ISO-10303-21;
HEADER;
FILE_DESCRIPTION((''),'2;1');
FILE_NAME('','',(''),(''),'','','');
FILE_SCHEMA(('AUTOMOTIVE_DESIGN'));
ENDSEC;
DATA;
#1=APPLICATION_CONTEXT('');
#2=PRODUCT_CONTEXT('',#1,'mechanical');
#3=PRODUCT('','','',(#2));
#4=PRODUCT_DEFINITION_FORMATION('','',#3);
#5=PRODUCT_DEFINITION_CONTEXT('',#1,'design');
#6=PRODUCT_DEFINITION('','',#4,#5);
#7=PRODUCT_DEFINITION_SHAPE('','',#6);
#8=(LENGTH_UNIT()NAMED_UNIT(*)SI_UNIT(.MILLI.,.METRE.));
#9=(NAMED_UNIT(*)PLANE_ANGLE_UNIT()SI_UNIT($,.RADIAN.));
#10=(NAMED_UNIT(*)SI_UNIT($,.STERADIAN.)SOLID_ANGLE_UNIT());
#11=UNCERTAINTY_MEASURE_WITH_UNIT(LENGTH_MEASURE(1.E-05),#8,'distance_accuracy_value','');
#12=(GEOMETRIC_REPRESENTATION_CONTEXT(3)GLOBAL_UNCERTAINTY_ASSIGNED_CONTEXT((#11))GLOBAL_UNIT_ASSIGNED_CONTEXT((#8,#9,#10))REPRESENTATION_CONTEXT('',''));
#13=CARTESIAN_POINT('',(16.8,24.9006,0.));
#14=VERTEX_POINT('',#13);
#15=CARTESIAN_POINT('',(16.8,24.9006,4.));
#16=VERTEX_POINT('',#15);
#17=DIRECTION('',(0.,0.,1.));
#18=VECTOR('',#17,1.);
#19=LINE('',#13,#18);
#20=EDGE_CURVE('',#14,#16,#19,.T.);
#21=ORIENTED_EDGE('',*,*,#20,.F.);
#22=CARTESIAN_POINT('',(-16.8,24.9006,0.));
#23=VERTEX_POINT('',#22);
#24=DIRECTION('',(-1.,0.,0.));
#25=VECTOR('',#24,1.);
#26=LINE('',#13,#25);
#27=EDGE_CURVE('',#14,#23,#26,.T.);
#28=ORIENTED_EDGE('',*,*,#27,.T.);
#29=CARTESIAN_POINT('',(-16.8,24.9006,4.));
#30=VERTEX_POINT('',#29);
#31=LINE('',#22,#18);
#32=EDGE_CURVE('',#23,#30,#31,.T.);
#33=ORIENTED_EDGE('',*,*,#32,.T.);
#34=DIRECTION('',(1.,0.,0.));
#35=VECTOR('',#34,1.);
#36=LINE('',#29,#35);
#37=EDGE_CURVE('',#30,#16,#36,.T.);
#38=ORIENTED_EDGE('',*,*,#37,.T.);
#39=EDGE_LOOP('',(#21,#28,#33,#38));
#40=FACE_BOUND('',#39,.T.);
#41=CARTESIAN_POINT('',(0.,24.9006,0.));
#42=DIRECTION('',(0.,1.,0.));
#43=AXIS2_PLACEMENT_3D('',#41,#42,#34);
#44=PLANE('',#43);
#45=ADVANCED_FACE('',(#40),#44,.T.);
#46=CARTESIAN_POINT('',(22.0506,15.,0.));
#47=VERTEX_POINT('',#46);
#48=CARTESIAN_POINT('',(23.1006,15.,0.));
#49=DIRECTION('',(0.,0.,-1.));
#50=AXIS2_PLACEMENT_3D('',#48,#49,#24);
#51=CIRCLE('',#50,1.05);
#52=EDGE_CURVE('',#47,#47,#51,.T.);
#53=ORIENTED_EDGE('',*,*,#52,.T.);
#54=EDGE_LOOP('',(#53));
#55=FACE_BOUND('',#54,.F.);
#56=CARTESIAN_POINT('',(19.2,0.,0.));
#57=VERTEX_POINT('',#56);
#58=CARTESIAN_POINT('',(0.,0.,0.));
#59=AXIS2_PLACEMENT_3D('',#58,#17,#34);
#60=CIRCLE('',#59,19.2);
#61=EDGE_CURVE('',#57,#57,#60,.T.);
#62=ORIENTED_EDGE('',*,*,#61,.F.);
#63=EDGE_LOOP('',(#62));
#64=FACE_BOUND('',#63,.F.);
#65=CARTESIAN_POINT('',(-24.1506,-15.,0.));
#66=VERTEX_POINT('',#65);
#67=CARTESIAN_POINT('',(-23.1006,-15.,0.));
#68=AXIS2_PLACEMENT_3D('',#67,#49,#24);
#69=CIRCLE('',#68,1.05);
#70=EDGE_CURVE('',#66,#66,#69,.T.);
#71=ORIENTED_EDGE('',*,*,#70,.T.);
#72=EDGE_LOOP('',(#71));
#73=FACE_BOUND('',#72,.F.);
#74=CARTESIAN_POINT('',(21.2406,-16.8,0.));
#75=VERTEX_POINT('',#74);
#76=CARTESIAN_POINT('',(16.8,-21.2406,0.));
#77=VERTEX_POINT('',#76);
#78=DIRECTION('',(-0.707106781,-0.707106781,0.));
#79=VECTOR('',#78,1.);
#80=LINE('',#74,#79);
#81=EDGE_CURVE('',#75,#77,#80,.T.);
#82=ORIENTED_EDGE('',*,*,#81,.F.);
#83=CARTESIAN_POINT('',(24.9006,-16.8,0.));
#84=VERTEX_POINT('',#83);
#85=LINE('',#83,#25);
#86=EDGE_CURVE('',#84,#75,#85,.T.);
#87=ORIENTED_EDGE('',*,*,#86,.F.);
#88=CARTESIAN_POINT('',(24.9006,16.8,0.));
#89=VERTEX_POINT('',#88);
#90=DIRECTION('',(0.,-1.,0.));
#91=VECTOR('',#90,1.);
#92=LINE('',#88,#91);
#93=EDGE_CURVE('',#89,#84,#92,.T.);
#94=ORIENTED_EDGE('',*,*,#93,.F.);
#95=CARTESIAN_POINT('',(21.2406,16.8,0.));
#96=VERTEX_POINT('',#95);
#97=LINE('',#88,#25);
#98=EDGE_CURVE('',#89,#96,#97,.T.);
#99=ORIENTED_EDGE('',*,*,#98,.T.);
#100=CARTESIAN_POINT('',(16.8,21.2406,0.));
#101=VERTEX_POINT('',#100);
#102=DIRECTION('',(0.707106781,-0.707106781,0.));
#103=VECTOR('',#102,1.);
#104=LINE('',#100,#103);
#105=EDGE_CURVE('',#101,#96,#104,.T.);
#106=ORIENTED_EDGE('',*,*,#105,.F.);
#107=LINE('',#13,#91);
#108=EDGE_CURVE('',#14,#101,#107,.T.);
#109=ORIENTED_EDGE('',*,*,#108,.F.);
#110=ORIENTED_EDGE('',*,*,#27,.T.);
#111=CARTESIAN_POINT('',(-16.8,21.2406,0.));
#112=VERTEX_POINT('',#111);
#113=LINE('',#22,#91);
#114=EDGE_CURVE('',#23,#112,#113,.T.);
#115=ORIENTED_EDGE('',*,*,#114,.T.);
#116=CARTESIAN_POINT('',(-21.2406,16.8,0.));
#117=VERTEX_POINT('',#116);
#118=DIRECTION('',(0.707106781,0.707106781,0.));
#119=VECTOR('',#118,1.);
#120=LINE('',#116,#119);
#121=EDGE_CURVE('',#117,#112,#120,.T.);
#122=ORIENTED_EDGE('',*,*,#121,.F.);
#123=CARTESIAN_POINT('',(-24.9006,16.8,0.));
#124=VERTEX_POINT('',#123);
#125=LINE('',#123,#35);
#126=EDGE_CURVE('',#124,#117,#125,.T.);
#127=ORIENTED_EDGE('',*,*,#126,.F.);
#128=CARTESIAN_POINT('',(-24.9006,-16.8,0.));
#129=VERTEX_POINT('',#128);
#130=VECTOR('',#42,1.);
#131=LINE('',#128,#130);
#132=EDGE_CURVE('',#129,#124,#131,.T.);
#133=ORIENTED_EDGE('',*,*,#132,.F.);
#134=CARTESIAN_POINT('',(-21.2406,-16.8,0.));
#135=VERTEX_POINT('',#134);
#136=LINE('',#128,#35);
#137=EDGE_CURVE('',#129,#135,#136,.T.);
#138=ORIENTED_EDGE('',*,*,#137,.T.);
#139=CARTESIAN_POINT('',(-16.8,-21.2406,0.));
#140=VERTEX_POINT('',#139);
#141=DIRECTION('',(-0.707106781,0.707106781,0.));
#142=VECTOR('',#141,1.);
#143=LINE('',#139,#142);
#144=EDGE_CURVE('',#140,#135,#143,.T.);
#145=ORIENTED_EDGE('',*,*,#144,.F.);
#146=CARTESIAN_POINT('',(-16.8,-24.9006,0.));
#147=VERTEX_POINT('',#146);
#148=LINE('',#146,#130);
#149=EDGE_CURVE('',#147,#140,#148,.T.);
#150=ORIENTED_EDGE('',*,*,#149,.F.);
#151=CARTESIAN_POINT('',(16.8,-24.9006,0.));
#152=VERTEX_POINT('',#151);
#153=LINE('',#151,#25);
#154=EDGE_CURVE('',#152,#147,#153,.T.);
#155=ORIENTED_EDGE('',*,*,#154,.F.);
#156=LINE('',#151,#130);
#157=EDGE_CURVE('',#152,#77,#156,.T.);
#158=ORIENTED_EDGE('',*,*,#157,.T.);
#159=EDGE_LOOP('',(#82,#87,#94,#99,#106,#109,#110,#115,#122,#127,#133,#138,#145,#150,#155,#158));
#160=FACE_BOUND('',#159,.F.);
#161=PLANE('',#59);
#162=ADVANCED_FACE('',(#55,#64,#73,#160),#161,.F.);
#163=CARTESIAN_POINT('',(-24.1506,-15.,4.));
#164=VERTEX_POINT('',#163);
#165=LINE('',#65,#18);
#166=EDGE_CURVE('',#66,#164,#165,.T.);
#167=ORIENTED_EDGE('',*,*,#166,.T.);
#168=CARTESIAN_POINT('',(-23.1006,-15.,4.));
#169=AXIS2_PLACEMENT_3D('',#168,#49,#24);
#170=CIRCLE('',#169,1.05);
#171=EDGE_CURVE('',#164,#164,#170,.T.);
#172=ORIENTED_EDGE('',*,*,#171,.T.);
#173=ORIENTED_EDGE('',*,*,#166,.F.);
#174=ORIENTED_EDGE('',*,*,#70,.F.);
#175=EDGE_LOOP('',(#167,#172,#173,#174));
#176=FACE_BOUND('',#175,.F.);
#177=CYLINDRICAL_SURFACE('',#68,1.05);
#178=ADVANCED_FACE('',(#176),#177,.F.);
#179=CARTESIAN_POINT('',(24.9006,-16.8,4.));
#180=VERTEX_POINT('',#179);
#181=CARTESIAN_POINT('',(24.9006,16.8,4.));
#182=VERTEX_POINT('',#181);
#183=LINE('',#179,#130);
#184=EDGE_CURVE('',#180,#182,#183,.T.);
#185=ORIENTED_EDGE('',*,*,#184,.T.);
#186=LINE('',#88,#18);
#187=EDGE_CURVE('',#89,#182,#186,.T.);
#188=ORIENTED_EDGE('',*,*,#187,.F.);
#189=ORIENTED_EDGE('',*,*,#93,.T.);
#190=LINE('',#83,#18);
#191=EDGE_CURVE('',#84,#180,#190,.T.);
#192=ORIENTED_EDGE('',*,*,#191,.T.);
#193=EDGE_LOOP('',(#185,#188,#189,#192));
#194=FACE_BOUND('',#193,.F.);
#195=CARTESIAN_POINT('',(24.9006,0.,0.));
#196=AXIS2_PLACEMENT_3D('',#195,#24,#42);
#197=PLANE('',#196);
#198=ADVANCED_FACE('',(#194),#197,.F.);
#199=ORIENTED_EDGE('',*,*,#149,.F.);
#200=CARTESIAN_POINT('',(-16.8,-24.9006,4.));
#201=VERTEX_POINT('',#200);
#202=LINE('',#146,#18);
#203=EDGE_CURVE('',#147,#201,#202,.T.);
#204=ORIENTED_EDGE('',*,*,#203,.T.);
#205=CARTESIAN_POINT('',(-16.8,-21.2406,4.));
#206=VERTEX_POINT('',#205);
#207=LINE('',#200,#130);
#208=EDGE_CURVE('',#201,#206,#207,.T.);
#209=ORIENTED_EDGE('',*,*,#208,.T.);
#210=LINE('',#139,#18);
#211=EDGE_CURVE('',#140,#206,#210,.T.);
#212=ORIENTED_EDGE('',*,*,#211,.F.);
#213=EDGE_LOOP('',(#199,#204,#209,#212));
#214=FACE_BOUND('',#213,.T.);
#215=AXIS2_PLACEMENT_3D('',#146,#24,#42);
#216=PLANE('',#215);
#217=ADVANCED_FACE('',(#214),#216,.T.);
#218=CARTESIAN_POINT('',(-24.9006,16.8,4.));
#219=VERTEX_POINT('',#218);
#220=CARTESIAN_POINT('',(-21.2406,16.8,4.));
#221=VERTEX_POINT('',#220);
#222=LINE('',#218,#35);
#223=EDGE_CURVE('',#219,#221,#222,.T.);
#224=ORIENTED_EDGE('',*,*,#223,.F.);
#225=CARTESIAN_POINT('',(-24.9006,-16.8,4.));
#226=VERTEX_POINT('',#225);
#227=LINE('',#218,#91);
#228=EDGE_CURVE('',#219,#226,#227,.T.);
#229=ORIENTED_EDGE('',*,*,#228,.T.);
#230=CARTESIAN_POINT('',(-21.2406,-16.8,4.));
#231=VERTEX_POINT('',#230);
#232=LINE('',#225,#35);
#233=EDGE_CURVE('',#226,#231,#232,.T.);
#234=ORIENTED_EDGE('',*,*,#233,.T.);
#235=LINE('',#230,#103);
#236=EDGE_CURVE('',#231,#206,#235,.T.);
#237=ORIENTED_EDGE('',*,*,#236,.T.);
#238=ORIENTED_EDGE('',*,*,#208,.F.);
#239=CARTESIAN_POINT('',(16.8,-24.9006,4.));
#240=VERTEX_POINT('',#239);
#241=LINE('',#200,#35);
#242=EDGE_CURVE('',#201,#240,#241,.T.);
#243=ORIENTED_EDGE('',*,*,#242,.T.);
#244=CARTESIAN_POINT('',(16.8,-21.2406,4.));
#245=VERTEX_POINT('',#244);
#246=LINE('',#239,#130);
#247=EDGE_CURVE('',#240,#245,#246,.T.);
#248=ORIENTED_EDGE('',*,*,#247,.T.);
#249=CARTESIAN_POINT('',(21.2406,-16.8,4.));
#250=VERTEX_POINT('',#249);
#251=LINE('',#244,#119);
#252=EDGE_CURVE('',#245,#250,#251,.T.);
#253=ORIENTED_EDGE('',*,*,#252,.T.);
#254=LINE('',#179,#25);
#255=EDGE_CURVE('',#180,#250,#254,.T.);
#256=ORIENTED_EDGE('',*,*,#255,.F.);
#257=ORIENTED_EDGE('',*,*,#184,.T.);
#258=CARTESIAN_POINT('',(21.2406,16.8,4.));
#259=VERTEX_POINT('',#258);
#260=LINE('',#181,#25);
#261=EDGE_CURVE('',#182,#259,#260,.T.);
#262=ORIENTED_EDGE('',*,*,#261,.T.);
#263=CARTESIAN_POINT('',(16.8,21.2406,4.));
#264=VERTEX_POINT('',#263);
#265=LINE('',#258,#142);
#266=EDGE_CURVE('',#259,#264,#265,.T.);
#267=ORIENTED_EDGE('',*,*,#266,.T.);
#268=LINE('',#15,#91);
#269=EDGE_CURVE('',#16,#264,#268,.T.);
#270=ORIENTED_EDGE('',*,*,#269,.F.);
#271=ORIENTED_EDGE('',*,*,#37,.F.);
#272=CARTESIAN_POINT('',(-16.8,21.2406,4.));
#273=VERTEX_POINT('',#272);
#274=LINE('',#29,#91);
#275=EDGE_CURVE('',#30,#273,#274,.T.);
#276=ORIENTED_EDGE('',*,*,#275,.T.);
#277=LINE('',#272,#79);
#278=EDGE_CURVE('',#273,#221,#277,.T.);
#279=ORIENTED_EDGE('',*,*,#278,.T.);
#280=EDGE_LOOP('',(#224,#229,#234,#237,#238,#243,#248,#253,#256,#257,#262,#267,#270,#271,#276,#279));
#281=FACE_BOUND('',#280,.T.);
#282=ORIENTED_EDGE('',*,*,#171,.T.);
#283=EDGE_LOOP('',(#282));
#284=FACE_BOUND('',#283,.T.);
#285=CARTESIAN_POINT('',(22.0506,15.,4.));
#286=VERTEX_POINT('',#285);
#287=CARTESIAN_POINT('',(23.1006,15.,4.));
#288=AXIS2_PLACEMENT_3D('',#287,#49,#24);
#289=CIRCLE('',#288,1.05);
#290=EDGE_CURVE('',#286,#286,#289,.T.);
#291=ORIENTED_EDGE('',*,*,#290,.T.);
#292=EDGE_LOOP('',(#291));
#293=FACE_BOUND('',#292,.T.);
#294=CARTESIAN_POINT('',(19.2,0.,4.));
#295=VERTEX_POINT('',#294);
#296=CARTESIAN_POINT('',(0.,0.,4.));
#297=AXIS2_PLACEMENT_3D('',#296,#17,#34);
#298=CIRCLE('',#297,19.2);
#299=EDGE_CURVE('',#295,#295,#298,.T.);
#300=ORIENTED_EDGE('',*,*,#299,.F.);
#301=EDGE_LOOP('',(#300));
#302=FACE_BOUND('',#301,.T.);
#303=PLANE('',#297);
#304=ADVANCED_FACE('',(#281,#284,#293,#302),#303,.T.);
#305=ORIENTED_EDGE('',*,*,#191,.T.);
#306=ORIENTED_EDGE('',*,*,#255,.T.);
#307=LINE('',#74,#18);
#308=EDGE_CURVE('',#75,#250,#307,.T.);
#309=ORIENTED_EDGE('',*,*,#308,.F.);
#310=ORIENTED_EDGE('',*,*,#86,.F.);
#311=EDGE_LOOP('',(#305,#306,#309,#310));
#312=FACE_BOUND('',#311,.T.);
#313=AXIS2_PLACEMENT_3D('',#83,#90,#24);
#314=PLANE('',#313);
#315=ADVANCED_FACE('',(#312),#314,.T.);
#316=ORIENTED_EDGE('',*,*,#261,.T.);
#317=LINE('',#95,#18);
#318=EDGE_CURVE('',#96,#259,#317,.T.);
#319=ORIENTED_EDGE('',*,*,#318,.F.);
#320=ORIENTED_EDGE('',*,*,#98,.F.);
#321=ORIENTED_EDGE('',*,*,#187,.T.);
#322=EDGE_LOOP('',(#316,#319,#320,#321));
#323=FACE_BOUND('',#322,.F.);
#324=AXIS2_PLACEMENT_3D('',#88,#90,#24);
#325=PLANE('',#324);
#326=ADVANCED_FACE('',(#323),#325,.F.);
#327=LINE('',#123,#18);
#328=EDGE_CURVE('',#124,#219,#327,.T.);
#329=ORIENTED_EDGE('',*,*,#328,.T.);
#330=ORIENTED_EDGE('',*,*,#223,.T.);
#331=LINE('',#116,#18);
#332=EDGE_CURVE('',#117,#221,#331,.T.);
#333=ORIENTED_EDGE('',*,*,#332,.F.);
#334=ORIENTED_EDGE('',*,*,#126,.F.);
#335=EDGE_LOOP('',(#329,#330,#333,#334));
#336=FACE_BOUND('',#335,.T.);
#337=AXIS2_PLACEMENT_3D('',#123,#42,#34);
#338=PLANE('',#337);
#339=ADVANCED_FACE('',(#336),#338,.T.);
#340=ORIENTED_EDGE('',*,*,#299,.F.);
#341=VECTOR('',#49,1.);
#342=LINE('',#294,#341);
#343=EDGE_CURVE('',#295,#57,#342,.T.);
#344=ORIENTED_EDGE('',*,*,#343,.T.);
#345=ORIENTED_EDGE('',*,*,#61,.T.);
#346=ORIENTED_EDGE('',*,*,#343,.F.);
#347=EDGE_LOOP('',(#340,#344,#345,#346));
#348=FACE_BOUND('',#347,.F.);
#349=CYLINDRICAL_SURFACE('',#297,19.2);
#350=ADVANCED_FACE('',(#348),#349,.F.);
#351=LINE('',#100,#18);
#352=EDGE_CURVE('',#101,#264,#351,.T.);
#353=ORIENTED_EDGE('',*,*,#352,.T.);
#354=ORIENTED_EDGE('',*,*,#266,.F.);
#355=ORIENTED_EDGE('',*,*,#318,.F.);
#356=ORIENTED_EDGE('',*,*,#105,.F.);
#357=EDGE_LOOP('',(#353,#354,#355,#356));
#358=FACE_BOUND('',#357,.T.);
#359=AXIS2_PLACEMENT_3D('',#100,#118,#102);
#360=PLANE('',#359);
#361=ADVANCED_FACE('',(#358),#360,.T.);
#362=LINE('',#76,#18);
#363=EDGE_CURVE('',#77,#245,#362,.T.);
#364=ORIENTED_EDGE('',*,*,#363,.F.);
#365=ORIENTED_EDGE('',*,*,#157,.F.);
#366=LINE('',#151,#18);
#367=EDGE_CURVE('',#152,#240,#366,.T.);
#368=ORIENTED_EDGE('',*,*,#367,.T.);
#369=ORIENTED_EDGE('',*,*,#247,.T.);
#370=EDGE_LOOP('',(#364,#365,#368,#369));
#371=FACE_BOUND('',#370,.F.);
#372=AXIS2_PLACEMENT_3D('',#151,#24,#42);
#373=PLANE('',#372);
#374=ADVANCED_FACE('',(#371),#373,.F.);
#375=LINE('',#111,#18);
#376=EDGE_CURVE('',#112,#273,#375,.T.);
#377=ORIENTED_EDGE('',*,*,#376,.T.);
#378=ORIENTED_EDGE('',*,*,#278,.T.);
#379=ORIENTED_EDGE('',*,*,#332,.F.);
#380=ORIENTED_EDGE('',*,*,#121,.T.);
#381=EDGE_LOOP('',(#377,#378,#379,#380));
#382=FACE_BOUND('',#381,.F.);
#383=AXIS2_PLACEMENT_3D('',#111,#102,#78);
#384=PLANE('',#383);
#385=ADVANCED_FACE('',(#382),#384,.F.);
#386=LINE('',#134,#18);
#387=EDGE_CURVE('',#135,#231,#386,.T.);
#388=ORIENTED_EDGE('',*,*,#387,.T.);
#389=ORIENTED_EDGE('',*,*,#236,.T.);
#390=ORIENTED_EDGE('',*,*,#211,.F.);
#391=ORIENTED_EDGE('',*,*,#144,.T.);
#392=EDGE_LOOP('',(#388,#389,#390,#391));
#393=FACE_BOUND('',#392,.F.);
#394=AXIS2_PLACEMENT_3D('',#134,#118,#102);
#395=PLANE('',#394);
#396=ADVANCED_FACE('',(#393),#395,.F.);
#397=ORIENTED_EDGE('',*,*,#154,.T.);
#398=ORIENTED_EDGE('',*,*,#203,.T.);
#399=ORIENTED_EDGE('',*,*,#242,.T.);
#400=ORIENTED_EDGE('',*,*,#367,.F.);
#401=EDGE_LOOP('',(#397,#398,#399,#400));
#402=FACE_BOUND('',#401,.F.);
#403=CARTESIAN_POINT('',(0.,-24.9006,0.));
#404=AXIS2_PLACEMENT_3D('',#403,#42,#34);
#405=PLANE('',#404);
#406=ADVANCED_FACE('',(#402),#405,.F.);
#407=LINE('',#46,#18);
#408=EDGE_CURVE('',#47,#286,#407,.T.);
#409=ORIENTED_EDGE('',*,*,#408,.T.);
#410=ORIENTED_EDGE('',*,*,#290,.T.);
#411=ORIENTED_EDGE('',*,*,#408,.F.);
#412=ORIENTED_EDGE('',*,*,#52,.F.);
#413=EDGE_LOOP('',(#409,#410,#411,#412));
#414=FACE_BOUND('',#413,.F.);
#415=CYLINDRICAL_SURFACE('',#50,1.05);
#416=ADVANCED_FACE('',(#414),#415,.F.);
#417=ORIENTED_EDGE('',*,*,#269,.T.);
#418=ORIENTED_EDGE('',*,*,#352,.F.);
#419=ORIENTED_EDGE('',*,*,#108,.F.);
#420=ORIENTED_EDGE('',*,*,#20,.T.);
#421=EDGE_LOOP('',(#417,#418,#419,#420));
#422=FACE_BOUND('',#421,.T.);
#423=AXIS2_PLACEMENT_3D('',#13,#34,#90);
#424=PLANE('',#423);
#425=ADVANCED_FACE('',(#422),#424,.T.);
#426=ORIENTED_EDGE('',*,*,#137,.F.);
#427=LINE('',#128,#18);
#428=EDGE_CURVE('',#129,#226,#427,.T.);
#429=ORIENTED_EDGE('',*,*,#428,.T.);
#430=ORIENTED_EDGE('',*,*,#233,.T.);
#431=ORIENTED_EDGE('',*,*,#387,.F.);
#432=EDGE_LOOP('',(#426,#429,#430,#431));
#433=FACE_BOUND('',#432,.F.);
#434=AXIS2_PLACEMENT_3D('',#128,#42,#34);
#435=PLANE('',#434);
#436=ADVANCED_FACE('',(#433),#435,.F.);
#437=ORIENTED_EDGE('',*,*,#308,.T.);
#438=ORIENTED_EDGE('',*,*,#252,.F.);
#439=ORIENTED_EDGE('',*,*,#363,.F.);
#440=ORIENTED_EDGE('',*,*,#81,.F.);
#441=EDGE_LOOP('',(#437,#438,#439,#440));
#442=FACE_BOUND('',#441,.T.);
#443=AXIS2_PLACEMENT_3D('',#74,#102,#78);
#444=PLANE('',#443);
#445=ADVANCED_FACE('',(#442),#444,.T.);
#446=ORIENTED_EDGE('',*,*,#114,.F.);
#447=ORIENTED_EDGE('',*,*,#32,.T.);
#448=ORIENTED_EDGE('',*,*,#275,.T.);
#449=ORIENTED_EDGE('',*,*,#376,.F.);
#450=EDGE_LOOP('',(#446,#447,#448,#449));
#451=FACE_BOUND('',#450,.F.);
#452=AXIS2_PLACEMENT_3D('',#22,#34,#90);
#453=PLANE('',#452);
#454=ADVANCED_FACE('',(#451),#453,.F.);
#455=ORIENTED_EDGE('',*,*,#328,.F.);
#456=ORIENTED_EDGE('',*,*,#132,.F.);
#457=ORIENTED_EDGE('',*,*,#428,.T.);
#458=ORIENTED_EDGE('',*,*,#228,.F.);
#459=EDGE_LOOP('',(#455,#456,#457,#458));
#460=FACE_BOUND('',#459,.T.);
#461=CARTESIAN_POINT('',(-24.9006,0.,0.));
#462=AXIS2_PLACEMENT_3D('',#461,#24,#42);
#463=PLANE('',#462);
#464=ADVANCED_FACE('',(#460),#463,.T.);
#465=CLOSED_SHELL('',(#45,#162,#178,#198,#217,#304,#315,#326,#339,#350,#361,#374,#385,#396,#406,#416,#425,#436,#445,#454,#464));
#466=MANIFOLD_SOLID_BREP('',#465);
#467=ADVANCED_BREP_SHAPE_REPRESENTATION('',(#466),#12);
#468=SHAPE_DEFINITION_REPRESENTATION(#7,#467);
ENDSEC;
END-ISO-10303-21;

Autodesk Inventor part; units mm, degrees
ref_plane "YZ Plane" through (0, 0, 0) normal (1, 0, 0) x (0, 1, 0)
ref_plane "XZ Plane" through (0, 0, 0) normal (0, 1, 0) x (-1, 0, 0)
ref_plane "XY Plane" through (0, 0, 0) normal (0, 0, 1) x (1, 0, 0)
sketch "Sketch1" plane through (0, 0, 0) normal (0, 0, 1) x (1, 0, 0)
  line L0 (-34.8609, 0) -> (34.8609, 0) construction
  line L1 (0, -34.8609) -> (0, 34.8609) construction
  line L2 (0, 0) -> (11.6542, 11.6542) construction
  line L3 (0, 0) -> (16.4815, 0) construction
  line L4 (0, 24.9006) -> (16.8, 24.9006)
  line L5 (16.8, 24.9006) -> (16.8, 21.2406)
  line L6 (16.8, 21.2406) -> (19.0203, 19.0203)
  line L7 (24.9006, 0) -> (24.9006, 16.8)
  line L8 (24.9006, 16.8) -> (21.2406, 16.8)
  line L9 (21.2406, 16.8) -> (19.0203, 19.0203)
  line L10 (0, 0) -> (-11.6542, 11.6542) construction
  line L11 (0, 0) -> (-16.4815, 0) construction
  line L12 (0, 24.9006) -> (-16.8, 24.9006)
  line L13 (-16.8, 24.9006) -> (-16.8, 21.2406)
  line L14 (-16.8, 21.2406) -> (-19.0203, 19.0203)
  line L15 (-24.9006, 0) -> (-24.9006, 16.8)
  line L16 (-24.9006, 16.8) -> (-21.2406, 16.8)
  line L17 (-21.2406, 16.8) -> (-19.0203, 19.0203)
  line L18 (0, 0) -> (11.6542, -11.6542) construction
  line L19 (0, -24.9006) -> (16.8, -24.9006)
  line L20 (16.8, -24.9006) -> (16.8, -21.2406)
  line L21 (16.8, -21.2406) -> (19.0203, -19.0203)
  line L22 (24.9006, 0) -> (24.9006, -16.8)
  line L23 (24.9006, -16.8) -> (21.2406, -16.8)
  line L24 (21.2406, -16.8) -> (19.0203, -19.0203)
  line L25 (0, 0) -> (-11.6542, -11.6542) construction
  line L26 (0, -24.9006) -> (-16.8, -24.9006)
  line L27 (-16.8, -24.9006) -> (-16.8, -21.2406)
  line L28 (-16.8, -21.2406) -> (-19.0203, -19.0203)
  line L29 (-24.9006, 0) -> (-24.9006, -16.8)
  line L30 (-24.9006, -16.8) -> (-21.2406, -16.8)
  line L31 (-21.2406, -16.8) -> (-19.0203, -19.0203)
  dimension "d0" = 45
  dimension "d1" = 3.14
  dimension "d2" = 3.66
  dimension "d3" = 16.8
extrude "Extrusion1" add sketch "Sketch1" along normal blind 4
hole "Hole1" at (0, 0, 0) direction (0, 0, 1) diameter 40 end through all
sketch "Sketch6" plane through (0, 0, 4) normal (0, 0, 1) x (1, 0, 0)
  circle A0 centre (0, 0) radius 20 construction
  line L0 (16.8, 24.9006) -> (-16.8, 24.9006) construction
  line L1 (-16.8, 24.9006) -> (-16.8, 21.2406) construction
  line L2 (-16.8, 21.2406) -> (-21.2406, 16.8) construction
  line L3 (-21.2406, 16.8) -> (-24.9006, 16.8) construction
  line L4 (-24.9006, 16.8) -> (-24.9006, -16.8) construction
  line L5 (-24.9006, -16.8) -> (-21.2406, -16.8) construction
  line L6 (-21.2406, -16.8) -> (-16.8, -21.2406) construction
  line L7 (-16.8, -21.2406) -> (-16.8, -24.9006) construction
  line L8 (-16.8, -24.9006) -> (16.8, -24.9006) construction
  line L9 (16.8, -24.9006) -> (16.8, -21.2406) construction
  line L10 (16.8, -21.2406) -> (21.2406, -16.8) construction
  line L11 (21.2406, -16.8) -> (24.9006, -16.8) construction
  line L12 (24.9006, -16.8) -> (24.9006, 16.8) construction
  line L13 (24.9006, 16.8) -> (21.2406, 16.8) construction
  line L14 (21.2406, 16.8) -> (16.8, 21.2406) construction
  line L15 (16.8, 21.2406) -> (16.8, 24.9006) construction
  circle A1 centre (0, 0) radius 20
  circle A2 centre (0, 0) radius 13.5
  dimension "d42" = 40
  dimension "d43" = 27
extrude "Extrusion4" [suppressed]
sketch "Sketch8" plane through (0, 0, 4) normal (0, 0, 1) x (1, 0, 0)
  line L0 (16.8, 24.9006) -> (-16.8, 24.9006) projected
  line L1 (-16.8, 24.9006) -> (-16.8, 21.2406) projected
  line L2 (-16.8, 21.2406) -> (-21.2406, 16.8) projected
  line L3 (-21.2406, 16.8) -> (-24.9006, 16.8) projected
  line L4 (-24.9006, 16.8) -> (-24.9006, -16.8) projected
  line L5 (-24.9006, -16.8) -> (-21.2406, -16.8) projected
  line L6 (-21.2406, -16.8) -> (-16.8, -21.2406) projected
  line L7 (-16.8, -21.2406) -> (-16.8, -24.9006) projected
  line L8 (-16.8, -24.9006) -> (16.8, -24.9006) projected
  line L9 (16.8, -24.9006) -> (16.8, -21.2406) projected
  line L10 (16.8, -21.2406) -> (21.2406, -16.8) projected
  line L11 (21.2406, -16.8) -> (24.9006, -16.8) projected
  line L12 (24.9006, -16.8) -> (24.9006, 16.8) projected
  line L13 (24.9006, 16.8) -> (21.2406, 16.8) projected
  line L14 (21.2406, 16.8) -> (16.8, 21.2406) projected
  line L15 (16.8, 21.2406) -> (16.8, 24.9006) projected
  line L16 (-23.9006, -15.8) -> (-23.9006, 15.8)
  line L17 (-23.9006, 15.8) -> (-20.8264, 15.8)
  line L18 (-20.8264, 15.8) -> (-15.8, 20.8264)
  line L19 (-15.8, 20.8264) -> (-15.8, 23.9006)
  line L20 (-15.8, 23.9006) -> (15.8, 23.9006)
  line L21 (15.8, 23.9006) -> (15.8, 20.8264)
  line L22 (15.8, 20.8264) -> (20.8264, 15.8)
  line L23 (20.8264, 15.8) -> (23.9006, 15.8)
  line L24 (23.9006, 15.8) -> (23.9006, -15.8)
  line L25 (23.9006, -15.8) -> (20.8264, -15.8)
  line L26 (20.8264, -15.8) -> (15.8, -20.8264)
  line L27 (15.8, -20.8264) -> (15.8, -23.9006)
  line L28 (15.8, -23.9006) -> (-15.8, -23.9006)
  line L29 (-15.8, -23.9006) -> (-15.8, -20.8264)
  line L30 (-15.8, -20.8264) -> (-20.8264, -15.8)
  line L31 (-20.8264, -15.8) -> (-23.9006, -15.8)
  circle A0 centre (0, 0) radius 20 projected
  circle A1 centre (0, 0) radius 19.2
  dimension "d41" = 1
  dimension "d46" = 0.8
extrude "Extrusion6" add sketch "Sketch8" against normal up to surface (4 mm away)
sketch "Sketch9" plane through (0, 0, 0) normal (0, 0, -1) x (-1, 0, 0)
  circle A0 centre (-23.1006, 15) radius 1.05 projected
  circle A1 centre (23.1006, -15) radius 1.05 projected
  point P0 (0, 0)
extrude "Extrusion7" cut sketch "Sketch9" against normal through all
properties part number "20_Cube_Insert_CirAp_Guide"
